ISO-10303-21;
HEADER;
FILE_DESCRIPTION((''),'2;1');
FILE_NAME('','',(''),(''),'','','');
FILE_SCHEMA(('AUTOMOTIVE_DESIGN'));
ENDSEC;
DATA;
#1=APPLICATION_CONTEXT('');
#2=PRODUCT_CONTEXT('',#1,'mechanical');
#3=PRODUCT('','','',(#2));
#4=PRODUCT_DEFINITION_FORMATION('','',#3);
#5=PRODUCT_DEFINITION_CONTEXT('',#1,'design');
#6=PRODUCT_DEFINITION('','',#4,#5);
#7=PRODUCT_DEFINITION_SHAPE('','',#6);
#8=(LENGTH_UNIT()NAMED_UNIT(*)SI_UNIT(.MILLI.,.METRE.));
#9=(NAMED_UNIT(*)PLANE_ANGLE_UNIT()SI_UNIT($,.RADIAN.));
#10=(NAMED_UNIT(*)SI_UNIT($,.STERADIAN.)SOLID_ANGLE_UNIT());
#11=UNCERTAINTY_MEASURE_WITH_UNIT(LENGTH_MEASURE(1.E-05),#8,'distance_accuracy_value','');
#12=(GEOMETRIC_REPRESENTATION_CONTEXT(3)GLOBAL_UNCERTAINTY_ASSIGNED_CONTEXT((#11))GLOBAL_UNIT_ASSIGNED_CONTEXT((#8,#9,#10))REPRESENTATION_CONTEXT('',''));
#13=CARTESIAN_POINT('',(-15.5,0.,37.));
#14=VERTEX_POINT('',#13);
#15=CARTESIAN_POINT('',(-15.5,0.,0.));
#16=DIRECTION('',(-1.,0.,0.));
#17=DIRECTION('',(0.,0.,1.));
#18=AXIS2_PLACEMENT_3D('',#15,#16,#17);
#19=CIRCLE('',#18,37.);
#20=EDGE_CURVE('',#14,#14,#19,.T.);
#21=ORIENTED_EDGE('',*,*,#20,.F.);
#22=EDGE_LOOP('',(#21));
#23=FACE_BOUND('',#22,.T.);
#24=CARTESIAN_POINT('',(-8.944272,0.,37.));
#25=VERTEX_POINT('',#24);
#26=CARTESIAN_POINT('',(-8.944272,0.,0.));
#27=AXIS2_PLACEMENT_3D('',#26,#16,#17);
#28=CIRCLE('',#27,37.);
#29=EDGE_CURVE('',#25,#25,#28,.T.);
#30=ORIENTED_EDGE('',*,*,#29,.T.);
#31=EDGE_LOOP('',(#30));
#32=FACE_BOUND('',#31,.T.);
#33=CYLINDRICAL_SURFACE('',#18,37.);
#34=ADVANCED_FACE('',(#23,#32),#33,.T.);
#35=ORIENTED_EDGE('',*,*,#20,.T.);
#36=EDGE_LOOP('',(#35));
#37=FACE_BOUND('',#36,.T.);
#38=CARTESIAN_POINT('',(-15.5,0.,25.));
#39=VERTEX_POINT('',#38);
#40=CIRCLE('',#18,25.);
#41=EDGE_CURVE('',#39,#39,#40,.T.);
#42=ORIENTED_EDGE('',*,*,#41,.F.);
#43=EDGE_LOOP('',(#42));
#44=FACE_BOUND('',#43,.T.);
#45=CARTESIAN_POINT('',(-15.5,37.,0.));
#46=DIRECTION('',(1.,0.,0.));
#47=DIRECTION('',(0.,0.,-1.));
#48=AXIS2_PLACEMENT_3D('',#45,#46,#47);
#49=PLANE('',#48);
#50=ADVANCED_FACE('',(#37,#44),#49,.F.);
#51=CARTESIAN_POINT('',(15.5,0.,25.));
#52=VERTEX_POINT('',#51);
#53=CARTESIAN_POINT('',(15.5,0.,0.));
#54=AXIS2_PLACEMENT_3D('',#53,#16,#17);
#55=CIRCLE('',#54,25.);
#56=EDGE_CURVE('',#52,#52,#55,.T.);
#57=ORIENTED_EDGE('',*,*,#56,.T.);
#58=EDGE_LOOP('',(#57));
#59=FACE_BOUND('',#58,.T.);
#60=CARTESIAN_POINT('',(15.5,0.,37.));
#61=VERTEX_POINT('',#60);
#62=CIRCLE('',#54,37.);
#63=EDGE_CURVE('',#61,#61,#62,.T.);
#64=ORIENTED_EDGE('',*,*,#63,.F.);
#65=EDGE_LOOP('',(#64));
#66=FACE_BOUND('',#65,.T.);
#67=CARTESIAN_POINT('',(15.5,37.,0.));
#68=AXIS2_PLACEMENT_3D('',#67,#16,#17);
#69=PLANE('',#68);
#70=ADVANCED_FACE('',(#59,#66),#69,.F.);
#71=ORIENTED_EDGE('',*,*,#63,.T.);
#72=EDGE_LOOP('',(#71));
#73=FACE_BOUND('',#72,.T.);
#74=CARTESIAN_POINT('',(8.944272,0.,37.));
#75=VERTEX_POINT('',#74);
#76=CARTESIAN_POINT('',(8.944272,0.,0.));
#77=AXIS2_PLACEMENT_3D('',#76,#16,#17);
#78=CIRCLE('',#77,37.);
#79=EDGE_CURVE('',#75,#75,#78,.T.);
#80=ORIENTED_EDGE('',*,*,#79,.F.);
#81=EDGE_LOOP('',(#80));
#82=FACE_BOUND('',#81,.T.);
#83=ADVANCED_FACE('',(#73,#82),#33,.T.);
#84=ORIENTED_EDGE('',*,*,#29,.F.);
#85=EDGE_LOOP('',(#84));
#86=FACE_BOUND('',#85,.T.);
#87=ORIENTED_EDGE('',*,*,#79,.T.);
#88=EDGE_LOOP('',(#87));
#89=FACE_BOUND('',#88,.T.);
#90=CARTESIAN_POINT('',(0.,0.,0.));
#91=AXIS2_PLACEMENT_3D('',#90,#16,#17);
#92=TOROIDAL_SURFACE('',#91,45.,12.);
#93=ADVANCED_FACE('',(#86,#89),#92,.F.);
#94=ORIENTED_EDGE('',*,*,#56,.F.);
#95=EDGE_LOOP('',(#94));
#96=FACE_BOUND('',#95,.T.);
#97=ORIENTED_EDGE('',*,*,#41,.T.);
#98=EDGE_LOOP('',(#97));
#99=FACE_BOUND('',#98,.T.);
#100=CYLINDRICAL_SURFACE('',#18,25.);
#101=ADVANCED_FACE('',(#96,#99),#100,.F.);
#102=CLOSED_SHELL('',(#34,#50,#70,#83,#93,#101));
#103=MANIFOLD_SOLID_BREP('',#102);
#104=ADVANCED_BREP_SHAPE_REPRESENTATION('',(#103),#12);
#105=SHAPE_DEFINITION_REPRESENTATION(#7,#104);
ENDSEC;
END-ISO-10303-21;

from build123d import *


with BuildPart() as part:
    # Sketch1 → Revolve1 (revolve)
    with BuildSketch(Plane.XY, mode=Mode.PRIVATE) as revolve1_sk:
        with BuildLine():
            Line((-15.5, 37), (-8.94427191, 37))
            ThreePointArc((-8.94427191, 37), (0, 33), (8.94427191, 37))
            Line((8.94427191, 37), (15.5, 37))
            Line((15.5, 37), (15.5, 25))
            Line((15.5, 25), (-15.5, 25))
            Line((-15.5, 25), (-15.5, 37))
        make_face()
    revolve(revolve1_sk.sketch.rotate(Axis((-15.5, 0, 0), (1, 0, 0)), 90), axis=Axis((-15.5, 0, 0), (1, 0, 0)))


solid = part.part
